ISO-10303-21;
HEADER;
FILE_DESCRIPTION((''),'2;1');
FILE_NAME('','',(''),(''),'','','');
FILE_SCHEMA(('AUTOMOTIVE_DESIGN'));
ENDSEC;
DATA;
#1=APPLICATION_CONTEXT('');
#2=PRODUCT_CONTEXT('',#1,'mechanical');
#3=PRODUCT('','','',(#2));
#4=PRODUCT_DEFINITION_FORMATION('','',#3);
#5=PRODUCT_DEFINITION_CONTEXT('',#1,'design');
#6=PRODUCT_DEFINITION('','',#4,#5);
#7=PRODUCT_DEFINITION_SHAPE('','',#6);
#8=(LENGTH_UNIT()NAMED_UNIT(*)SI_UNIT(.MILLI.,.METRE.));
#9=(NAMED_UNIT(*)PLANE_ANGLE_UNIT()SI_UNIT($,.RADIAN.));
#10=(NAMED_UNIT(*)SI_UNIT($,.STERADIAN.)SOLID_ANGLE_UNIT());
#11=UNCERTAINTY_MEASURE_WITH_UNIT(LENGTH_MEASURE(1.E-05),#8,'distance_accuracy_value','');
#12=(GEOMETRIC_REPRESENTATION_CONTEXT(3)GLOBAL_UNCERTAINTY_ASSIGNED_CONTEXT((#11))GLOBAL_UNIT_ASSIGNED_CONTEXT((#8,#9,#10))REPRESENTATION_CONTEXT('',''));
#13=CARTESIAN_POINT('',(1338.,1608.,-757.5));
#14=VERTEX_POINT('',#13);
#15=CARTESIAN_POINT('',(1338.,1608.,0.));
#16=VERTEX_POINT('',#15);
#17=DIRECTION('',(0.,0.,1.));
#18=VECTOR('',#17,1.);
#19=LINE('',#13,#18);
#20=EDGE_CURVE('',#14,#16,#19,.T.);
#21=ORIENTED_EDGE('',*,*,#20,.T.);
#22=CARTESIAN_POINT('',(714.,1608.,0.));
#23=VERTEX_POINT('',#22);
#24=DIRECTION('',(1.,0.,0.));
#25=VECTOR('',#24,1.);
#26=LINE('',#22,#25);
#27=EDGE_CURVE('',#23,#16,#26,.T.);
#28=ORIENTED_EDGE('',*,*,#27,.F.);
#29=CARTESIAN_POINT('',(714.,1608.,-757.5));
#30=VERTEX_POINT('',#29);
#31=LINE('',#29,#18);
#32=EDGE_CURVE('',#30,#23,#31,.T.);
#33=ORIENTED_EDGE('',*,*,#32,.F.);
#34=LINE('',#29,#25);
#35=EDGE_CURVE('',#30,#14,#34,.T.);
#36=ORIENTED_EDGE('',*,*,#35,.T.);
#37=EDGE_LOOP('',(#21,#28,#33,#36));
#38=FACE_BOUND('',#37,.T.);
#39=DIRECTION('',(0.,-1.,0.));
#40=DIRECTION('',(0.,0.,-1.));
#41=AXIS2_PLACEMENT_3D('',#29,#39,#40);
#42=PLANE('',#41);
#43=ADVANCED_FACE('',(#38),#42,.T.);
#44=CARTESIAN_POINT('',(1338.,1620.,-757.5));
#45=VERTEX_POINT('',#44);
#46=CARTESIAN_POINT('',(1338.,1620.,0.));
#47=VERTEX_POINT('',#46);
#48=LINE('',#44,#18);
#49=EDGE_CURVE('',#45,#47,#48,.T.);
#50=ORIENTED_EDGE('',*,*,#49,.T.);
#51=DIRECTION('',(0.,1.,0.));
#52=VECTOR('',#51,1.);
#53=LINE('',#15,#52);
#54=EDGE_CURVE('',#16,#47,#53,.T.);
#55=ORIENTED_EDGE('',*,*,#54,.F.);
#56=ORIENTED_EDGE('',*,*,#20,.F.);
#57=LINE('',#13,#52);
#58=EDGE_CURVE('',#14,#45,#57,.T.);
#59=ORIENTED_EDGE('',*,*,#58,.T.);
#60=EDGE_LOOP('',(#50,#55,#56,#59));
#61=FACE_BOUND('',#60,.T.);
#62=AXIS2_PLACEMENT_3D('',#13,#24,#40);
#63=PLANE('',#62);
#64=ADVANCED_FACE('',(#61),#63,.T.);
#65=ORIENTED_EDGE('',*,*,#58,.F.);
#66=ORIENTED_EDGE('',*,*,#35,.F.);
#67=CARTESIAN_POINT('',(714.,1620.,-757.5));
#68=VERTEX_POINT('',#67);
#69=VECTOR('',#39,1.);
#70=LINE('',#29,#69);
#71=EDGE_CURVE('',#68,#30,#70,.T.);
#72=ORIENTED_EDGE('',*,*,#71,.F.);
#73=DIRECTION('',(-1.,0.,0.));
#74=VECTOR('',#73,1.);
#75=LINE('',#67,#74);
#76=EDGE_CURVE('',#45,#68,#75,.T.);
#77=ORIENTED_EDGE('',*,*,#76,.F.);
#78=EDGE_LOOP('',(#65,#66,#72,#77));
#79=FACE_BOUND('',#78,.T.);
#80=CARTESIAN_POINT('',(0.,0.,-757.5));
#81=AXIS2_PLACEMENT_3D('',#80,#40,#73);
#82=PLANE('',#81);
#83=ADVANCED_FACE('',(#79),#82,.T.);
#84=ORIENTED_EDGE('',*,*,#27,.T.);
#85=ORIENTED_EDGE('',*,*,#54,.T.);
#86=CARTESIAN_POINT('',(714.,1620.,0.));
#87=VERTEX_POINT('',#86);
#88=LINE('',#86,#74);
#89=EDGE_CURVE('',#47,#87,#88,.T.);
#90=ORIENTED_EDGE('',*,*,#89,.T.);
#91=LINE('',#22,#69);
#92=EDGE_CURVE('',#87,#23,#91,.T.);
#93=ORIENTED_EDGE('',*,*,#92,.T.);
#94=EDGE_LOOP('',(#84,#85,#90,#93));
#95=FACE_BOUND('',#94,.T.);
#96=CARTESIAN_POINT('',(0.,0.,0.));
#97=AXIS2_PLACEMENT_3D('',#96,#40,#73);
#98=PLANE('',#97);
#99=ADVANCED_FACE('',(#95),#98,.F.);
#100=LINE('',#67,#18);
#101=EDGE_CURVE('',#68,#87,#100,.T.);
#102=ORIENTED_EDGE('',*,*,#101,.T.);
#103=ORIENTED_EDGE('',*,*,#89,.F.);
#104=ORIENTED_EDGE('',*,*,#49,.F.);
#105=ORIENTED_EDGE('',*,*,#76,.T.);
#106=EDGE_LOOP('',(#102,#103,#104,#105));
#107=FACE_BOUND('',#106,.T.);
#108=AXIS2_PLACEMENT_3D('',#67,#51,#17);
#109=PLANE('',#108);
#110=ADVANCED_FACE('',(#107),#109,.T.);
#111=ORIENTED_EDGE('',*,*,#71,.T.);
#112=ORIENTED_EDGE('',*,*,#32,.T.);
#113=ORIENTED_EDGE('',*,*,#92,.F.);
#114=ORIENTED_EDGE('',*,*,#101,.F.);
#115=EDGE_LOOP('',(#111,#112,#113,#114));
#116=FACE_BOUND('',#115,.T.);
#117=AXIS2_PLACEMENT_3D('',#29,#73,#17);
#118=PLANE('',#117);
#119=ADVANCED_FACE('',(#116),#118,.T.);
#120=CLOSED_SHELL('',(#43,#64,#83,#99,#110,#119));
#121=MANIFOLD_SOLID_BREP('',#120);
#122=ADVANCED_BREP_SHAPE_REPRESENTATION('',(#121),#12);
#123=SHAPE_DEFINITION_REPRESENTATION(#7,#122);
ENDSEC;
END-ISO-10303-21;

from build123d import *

# Parameters (mm, degrees)
SKETCH1_W           = 624
SKETCH1_H           = 12
DET_RAF_UST_1_DEPTH = 757.5


with BuildPart() as part:
    # Sketch1 → DET_raf_ust_1 (new body)
    with BuildSketch(Plane.XY):
        with Locations((1026, 1614)):
            Rectangle(SKETCH1_W, SKETCH1_H)
    extrude(amount=-DET_RAF_UST_1_DEPTH)


solid = part.part
